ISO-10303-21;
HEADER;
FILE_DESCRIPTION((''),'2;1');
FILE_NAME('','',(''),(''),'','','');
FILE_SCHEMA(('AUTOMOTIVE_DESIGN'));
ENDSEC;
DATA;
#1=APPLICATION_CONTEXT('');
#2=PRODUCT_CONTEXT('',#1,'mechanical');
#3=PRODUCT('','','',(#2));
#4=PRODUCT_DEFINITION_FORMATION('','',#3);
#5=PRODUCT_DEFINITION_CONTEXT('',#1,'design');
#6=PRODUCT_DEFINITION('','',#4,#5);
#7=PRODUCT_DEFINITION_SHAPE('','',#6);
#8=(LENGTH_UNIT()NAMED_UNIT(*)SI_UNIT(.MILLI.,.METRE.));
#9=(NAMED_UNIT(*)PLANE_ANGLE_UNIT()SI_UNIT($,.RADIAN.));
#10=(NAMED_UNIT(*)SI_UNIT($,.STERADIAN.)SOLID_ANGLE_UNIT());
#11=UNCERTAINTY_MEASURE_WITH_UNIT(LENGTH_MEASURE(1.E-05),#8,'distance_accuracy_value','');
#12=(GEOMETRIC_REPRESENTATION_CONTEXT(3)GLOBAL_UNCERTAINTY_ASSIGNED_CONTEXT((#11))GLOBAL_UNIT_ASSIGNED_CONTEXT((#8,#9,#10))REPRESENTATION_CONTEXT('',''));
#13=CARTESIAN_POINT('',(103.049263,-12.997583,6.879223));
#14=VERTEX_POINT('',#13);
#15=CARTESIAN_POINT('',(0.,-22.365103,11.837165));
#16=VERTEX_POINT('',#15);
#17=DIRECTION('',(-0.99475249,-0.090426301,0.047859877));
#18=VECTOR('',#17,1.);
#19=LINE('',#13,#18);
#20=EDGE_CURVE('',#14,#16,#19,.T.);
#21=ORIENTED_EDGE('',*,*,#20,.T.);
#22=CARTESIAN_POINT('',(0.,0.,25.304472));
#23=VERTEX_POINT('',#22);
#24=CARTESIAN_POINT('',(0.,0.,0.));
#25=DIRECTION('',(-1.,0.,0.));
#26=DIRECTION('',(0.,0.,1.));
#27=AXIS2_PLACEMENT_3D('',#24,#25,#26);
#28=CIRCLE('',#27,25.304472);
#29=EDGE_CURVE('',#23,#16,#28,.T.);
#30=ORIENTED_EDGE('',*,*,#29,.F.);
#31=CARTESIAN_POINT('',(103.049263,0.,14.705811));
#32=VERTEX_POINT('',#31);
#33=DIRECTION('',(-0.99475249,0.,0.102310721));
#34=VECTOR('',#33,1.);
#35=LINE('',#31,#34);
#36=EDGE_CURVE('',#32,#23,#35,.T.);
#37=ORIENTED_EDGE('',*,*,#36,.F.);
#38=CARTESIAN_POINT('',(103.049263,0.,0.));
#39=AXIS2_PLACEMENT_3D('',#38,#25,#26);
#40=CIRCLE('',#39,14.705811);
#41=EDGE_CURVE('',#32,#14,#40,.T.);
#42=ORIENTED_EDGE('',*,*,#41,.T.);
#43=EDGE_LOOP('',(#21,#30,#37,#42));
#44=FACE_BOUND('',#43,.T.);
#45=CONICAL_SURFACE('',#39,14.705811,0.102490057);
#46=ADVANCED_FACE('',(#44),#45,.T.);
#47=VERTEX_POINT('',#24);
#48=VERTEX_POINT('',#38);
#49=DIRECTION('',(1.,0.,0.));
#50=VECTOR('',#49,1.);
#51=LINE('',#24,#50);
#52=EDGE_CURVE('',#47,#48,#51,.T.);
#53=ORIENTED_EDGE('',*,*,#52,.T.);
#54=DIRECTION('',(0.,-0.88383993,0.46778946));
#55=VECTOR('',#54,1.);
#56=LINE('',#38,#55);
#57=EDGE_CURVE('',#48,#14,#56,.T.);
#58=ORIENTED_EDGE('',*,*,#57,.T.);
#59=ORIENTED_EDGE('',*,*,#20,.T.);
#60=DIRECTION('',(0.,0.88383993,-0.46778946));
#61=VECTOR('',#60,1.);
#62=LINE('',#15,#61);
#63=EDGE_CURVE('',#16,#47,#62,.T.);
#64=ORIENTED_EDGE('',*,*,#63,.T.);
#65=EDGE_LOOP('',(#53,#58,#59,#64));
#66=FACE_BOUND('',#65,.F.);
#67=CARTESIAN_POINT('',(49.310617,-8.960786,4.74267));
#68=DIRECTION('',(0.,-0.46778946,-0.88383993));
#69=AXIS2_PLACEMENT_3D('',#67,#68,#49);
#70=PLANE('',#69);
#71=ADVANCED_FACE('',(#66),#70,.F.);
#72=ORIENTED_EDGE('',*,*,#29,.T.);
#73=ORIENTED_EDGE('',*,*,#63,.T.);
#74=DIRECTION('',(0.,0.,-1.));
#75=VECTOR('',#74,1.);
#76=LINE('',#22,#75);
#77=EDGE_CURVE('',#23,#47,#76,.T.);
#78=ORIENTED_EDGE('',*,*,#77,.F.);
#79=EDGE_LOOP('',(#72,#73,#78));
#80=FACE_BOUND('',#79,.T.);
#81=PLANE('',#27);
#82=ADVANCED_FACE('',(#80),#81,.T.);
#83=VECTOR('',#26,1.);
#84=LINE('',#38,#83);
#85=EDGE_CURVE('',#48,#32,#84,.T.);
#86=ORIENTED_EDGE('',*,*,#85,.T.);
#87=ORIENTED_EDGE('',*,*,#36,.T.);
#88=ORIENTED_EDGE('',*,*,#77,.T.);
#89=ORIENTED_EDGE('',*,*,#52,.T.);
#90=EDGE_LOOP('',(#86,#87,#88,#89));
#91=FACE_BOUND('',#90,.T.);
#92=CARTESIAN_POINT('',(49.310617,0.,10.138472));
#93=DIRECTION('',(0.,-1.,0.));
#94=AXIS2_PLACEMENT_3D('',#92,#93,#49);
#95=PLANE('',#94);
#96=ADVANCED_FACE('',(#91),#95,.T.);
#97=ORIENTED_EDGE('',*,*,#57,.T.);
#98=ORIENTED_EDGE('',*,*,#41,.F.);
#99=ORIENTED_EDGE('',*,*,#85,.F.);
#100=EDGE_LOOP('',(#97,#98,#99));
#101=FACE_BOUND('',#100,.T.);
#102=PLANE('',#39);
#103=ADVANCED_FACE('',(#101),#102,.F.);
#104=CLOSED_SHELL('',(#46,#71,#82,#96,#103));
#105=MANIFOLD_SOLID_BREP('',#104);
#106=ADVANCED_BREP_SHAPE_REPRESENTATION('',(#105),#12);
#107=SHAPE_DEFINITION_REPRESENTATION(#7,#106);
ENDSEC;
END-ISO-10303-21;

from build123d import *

# Parameters (mm, degrees)
F1_ANGLE = -297.890901


with BuildPart() as f1:
    # F0 (on Front) → F1 (revolve)
    with BuildSketch(Plane.XZ):
        Polygon((0, 25.304472), (0, 0), (103.049263, 0), (103.049263, 14.705811), align=None)
    revolve(axis=Axis((16.129031, 0, 0), (1, 0, 0)), revolution_arc=F1_ANGLE)


solid = f1.part
